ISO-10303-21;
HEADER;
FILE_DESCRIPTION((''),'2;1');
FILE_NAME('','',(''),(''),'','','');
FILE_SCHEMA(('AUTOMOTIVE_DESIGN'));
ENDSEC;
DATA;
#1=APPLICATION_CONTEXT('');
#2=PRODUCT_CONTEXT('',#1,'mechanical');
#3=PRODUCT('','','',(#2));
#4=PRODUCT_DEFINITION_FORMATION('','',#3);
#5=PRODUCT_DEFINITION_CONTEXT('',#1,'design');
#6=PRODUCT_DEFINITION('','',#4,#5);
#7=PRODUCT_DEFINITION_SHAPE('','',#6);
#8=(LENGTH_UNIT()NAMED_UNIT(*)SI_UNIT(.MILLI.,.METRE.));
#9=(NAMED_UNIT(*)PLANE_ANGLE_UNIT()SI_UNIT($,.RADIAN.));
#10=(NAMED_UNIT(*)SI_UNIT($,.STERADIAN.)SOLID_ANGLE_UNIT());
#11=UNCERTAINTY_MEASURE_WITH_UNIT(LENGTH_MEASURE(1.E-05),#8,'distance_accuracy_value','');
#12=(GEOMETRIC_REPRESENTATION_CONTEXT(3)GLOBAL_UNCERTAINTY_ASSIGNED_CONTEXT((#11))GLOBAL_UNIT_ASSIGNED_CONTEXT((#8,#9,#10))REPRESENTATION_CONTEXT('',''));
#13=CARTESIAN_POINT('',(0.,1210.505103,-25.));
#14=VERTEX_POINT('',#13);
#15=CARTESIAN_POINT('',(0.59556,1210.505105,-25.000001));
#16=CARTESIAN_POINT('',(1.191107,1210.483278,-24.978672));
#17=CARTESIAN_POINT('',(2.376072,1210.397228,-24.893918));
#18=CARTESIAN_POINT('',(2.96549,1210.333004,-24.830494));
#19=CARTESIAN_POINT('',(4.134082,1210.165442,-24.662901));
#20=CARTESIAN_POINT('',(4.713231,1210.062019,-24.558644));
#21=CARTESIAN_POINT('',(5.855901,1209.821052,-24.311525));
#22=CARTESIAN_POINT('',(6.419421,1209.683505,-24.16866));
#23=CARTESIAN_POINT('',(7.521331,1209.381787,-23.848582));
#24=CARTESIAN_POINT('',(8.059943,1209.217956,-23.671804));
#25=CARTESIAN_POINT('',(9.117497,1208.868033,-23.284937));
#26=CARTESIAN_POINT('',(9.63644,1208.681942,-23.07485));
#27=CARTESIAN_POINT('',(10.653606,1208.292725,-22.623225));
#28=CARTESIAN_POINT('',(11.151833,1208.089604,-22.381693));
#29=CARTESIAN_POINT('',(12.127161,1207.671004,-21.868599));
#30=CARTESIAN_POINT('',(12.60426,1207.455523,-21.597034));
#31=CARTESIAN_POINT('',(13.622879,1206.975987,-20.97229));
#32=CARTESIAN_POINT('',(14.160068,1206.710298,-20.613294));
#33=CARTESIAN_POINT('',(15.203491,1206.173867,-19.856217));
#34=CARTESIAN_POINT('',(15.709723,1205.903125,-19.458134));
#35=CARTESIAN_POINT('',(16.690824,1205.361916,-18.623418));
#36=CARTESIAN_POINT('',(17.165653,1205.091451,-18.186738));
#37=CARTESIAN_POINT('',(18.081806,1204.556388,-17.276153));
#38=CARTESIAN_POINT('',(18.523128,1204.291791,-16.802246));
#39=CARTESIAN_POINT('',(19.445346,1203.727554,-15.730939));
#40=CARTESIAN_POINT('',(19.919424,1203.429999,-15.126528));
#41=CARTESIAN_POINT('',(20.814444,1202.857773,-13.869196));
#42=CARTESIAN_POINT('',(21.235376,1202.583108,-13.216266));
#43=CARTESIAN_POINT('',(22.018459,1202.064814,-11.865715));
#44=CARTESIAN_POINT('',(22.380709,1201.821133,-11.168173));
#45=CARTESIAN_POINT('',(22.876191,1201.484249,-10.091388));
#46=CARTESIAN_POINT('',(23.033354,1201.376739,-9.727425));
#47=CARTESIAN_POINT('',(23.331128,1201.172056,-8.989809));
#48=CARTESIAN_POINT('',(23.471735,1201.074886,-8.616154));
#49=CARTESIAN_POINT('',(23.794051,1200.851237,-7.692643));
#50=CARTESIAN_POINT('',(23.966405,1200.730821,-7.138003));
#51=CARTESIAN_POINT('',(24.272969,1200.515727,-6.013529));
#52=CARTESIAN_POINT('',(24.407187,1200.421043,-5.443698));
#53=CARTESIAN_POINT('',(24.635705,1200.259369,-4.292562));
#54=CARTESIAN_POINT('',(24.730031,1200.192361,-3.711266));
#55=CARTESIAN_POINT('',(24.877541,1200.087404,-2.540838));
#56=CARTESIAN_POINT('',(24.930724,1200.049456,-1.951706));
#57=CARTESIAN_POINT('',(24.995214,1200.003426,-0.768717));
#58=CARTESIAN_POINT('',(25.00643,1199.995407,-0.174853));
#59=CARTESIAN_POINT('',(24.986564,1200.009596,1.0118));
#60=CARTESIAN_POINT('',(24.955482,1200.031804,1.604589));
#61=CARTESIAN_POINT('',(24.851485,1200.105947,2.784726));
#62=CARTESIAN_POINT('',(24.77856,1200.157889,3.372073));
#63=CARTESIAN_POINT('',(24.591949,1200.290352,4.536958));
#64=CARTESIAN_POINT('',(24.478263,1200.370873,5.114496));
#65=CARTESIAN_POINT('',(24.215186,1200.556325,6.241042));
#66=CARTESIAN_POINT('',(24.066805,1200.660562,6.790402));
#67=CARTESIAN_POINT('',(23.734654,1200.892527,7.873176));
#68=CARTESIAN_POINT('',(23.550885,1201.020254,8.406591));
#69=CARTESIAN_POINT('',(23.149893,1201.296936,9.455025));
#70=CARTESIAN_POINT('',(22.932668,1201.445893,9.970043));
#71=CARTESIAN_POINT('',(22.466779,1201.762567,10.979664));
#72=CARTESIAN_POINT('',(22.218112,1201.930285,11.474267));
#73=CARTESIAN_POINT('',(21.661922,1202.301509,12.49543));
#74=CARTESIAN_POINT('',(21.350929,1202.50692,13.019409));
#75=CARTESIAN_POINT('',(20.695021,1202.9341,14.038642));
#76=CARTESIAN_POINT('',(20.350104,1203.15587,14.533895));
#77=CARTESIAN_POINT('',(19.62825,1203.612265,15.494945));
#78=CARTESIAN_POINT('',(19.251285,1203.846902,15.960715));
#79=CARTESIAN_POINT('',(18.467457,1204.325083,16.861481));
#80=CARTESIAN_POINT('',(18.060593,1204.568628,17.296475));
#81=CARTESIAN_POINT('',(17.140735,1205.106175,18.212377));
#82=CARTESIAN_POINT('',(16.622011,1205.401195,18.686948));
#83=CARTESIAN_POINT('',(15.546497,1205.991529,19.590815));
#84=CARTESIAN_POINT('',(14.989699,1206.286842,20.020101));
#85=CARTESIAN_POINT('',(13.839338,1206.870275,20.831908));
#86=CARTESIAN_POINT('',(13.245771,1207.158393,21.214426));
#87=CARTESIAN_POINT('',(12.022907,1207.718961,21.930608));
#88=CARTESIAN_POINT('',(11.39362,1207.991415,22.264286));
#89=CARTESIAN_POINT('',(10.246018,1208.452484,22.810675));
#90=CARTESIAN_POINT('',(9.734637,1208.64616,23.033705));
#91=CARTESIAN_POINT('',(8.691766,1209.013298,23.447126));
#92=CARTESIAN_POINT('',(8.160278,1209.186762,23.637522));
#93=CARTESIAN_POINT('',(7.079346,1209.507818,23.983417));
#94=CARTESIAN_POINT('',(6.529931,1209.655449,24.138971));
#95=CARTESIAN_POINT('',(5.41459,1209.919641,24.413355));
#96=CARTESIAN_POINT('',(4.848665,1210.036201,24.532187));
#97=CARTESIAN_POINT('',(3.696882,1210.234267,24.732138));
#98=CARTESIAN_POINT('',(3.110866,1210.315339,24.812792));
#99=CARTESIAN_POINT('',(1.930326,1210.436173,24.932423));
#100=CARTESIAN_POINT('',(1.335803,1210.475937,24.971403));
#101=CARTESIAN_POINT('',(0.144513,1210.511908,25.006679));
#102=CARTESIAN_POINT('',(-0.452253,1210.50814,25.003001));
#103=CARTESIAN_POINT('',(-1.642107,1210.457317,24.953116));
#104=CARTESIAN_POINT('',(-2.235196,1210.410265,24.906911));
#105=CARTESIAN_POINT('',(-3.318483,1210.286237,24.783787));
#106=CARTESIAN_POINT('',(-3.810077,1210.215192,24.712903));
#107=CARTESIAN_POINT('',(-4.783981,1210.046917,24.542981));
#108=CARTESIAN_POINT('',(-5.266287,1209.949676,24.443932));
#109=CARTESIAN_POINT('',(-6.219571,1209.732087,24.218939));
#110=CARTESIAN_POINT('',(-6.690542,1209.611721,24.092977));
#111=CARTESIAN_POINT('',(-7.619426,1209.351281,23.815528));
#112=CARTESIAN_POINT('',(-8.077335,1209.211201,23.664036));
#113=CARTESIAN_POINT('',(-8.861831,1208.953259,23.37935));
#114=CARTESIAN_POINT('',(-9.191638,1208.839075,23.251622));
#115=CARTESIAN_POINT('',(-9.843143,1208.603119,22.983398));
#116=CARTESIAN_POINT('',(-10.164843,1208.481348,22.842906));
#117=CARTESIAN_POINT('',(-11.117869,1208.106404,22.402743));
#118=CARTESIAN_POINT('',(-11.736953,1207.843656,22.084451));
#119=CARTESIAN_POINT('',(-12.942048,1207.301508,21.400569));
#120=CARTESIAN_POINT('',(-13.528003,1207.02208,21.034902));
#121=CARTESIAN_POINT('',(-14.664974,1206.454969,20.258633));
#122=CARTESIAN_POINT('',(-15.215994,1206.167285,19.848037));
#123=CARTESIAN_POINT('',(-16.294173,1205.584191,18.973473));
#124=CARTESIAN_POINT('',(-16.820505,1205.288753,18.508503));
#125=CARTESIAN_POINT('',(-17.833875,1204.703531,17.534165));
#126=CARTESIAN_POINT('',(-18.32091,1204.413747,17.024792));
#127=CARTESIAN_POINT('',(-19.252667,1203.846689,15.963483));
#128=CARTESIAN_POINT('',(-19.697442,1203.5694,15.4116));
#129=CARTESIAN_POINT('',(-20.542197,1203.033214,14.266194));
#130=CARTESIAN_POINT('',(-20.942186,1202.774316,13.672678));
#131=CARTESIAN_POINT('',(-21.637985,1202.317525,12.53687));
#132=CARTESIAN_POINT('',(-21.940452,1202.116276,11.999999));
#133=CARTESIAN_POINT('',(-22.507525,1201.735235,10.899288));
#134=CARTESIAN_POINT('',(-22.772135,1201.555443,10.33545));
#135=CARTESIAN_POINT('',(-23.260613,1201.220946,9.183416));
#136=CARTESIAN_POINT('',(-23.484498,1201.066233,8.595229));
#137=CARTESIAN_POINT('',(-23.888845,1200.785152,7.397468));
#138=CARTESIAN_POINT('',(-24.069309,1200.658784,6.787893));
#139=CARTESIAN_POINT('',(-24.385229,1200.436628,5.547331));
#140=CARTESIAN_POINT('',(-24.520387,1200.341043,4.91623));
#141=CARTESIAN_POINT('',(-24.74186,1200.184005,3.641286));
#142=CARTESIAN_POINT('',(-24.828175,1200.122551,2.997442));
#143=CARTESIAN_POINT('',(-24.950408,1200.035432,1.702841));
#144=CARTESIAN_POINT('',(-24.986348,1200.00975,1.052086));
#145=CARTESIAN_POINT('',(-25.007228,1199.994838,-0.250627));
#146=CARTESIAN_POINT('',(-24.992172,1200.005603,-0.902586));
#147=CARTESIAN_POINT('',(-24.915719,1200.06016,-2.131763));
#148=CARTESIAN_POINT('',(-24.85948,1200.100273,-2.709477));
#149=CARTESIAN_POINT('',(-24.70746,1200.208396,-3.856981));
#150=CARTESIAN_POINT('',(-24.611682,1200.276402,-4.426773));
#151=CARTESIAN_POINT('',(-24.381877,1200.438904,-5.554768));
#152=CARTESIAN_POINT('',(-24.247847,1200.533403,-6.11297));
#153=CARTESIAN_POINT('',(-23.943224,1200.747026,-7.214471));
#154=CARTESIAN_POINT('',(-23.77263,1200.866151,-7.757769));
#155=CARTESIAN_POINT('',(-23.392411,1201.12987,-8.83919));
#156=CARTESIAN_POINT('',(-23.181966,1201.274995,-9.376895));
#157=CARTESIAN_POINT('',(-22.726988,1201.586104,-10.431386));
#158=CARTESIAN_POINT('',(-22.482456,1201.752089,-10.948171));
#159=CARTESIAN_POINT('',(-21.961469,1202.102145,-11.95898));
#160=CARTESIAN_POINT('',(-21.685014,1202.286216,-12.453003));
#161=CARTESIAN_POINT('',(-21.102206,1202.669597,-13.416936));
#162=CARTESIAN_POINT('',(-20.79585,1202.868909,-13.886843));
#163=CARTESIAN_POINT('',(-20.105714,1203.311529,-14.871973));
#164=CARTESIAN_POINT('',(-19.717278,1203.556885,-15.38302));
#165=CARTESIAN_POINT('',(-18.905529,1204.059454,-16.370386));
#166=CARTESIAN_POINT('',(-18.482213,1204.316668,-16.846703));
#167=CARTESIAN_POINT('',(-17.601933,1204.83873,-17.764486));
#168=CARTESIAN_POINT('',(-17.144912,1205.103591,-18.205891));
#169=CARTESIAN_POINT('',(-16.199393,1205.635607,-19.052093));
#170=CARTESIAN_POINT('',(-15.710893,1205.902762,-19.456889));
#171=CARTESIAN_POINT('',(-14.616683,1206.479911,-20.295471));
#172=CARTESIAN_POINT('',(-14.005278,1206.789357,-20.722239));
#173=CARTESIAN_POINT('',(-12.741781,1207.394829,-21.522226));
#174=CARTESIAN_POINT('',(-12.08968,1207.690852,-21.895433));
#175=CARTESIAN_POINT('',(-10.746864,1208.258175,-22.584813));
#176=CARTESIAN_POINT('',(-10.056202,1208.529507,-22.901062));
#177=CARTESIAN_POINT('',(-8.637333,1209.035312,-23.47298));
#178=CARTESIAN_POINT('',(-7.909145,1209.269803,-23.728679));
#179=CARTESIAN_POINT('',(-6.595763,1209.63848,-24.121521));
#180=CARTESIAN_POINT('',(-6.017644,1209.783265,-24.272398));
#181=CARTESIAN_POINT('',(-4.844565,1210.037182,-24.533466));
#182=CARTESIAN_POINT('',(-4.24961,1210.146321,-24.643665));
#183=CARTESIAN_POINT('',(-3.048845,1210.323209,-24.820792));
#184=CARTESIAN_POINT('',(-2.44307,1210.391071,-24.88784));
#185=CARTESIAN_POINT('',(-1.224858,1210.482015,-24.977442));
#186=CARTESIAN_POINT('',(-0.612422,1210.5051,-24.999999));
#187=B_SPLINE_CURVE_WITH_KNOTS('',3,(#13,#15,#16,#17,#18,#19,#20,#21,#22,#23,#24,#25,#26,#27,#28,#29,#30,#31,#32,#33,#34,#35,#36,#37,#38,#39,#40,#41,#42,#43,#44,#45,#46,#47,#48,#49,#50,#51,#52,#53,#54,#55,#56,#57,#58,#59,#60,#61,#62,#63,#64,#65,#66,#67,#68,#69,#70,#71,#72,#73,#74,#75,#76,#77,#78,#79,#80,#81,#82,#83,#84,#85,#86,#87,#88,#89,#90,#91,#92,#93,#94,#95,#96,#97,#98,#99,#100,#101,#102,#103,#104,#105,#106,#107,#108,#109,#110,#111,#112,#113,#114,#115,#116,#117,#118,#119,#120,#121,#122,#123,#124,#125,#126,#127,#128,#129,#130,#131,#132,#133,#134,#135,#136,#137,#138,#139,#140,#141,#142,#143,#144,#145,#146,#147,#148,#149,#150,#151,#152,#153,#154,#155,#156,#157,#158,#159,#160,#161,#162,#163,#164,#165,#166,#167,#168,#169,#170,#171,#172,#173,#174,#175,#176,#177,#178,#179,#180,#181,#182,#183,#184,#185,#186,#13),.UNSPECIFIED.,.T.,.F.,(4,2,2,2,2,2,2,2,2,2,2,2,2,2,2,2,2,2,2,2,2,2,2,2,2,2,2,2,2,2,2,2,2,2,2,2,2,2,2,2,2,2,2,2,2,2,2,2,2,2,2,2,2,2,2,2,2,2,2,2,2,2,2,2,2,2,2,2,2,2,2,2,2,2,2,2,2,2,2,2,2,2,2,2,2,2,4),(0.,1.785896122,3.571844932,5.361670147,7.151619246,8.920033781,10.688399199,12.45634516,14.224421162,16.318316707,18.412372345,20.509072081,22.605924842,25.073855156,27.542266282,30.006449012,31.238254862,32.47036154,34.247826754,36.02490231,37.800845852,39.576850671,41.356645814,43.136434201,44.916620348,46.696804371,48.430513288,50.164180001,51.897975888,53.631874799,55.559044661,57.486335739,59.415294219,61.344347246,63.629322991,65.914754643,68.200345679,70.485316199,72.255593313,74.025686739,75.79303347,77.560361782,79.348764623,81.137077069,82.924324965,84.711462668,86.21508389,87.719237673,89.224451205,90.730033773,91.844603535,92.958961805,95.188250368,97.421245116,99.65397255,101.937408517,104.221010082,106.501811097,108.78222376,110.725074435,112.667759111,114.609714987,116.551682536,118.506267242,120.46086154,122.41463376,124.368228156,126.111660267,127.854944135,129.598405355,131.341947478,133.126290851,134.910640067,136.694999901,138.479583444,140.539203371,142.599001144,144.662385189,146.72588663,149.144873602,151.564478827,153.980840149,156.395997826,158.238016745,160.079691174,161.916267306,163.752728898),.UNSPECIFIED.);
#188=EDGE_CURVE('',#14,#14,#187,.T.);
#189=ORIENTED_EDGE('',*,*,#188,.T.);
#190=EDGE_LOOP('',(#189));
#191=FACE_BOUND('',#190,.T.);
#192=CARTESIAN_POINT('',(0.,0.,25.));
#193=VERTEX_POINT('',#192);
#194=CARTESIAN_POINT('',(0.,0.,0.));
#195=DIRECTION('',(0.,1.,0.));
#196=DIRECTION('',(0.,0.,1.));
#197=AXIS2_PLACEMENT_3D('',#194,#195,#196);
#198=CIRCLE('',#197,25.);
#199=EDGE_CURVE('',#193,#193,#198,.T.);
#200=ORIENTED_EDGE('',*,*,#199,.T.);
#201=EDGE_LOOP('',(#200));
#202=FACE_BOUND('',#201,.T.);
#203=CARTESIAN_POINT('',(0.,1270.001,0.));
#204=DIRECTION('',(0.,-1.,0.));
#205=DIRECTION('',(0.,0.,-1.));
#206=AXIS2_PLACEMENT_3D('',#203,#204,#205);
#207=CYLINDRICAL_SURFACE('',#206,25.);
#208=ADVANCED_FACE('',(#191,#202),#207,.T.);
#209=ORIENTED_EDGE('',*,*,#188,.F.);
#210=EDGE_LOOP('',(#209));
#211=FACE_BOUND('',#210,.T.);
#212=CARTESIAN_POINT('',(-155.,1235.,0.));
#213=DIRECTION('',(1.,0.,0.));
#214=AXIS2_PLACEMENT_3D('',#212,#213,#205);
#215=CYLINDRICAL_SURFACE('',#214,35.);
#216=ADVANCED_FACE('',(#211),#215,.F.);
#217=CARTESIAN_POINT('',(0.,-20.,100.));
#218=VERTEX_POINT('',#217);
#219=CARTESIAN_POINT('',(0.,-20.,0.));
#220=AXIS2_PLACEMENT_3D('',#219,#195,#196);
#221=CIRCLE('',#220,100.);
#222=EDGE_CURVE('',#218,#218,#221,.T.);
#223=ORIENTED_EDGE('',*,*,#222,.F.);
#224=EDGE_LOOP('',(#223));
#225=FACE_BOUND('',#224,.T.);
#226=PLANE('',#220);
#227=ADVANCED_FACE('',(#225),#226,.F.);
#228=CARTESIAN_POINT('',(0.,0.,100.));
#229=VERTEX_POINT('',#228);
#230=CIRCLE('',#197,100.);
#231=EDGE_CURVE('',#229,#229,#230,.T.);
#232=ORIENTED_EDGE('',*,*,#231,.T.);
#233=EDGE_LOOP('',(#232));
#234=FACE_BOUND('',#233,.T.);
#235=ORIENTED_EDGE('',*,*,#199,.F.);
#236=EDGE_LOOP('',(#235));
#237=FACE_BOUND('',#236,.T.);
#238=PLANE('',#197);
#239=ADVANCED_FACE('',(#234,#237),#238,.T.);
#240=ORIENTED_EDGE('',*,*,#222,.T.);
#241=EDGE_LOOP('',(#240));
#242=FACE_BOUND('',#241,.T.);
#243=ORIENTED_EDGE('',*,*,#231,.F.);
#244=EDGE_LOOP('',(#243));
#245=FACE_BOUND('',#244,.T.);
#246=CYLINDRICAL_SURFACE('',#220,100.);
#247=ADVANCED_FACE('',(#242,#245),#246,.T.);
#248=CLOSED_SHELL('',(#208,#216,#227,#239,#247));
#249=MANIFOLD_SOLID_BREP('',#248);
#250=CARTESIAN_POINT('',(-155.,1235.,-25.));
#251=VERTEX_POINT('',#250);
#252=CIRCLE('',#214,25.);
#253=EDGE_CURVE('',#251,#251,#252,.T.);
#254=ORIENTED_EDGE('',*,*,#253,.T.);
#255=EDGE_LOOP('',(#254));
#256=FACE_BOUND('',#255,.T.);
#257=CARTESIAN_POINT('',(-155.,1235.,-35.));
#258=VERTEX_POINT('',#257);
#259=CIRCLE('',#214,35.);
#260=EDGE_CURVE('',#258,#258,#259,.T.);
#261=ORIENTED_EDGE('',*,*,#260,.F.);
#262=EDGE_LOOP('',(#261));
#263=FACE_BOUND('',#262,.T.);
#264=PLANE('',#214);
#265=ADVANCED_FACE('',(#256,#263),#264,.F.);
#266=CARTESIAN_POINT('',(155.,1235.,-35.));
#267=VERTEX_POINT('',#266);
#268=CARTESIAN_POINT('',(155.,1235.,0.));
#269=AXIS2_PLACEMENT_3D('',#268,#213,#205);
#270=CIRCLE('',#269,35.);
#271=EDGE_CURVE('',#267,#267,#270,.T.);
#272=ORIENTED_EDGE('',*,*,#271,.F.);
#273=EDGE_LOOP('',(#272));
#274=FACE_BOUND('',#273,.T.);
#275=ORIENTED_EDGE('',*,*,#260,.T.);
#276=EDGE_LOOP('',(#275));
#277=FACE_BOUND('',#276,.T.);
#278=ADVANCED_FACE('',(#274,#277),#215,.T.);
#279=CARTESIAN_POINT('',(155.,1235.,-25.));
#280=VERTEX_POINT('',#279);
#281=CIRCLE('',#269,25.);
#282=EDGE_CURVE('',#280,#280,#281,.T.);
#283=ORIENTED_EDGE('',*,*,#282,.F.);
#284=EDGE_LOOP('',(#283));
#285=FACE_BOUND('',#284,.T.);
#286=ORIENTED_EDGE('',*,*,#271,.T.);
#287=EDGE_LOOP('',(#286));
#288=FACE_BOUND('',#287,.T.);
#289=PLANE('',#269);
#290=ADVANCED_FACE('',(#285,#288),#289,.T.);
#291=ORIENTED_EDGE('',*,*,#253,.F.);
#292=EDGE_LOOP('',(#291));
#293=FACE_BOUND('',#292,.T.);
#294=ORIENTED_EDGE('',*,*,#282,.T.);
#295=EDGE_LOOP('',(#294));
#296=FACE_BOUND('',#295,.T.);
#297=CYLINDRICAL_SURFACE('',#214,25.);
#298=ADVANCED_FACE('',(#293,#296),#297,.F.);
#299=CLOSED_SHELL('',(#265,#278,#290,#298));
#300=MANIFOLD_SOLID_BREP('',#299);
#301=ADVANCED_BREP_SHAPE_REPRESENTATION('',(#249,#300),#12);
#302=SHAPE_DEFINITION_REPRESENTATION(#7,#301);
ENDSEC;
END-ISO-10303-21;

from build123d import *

# Parameters (mm, degrees)
KLIP_SKETCH1_R                = 100
KLIP_BOSS_EXTRUDE1_DEPTH      = 20
KLIP_BOSS_EXTRUDE3_DEPTH      = 155
KLIP_BOSS_EXTRUDE3_DEPTH_BACK = 155
KLIP_SKETCH3_R                = 35
KLIP_SKETCH3_R_2              = 25
KLIP_BOSS_EXTRUDE2_REACH      = 1285.326
KLIP_BOSS_EXTRUDE2_END_RADIUS = 35
KLIP_SKETCH2_R                = 25


with BuildPart() as part:
    # klip_Sketch1 → klip_Boss-Extrude1 (new body)
    with BuildSketch(Plane(origin=(0, 0, 0), x_dir=(1, 0, 0), z_dir=(0, 1, 0))):
        Circle(KLIP_SKETCH1_R)
    extrude(amount=-KLIP_BOSS_EXTRUDE1_DEPTH)

    # klip_Boss-Extrude2: up to this cylinder (the profile starts outside it)
    klip_boss_extrude2_end = Plane(origin=(0, 1235, 0), z_dir=(1, 0, 0)) * Cylinder(KLIP_BOSS_EXTRUDE2_END_RADIUS, 2641.652, mode=Mode.PRIVATE)
    # klip_Sketch2 → klip_Boss-Extrude2 (add, up to the surface)
    with BuildSketch(Plane(origin=(0, 0, 0), x_dir=(1, 0, 0), z_dir=(0, 1, 0)), mode=Mode.PRIVATE) as klip_boss_extrude2_sk1:
        Circle(KLIP_SKETCH2_R)
    klip_boss_extrude2_tool1 = extrude(klip_boss_extrude2_sk1.sketch, amount=KLIP_BOSS_EXTRUDE2_REACH, mode=Mode.PRIVATE) - klip_boss_extrude2_end
    add(klip_boss_extrude2_tool1.solids().sort_by_distance((0, 0, 0))[0])


with BuildPart() as body_2:
    # klip_Sketch3 → klip_Boss-Extrude3 (new, two sides: drawn at the far end of the back side and taken through both)
    with BuildSketch(Plane(origin=(0, 0, 0), x_dir=(0, 0, -1), z_dir=(1, 0, 0)).offset(-KLIP_BOSS_EXTRUDE3_DEPTH_BACK)):
        with Locations((0, 1235)):
            Circle(KLIP_SKETCH3_R)
        with Locations((0, 1235)):
            Circle(KLIP_SKETCH3_R_2, mode=Mode.SUBTRACT)
    extrude(amount=KLIP_BOSS_EXTRUDE3_DEPTH + KLIP_BOSS_EXTRUDE3_DEPTH_BACK)


solid = Compound([part.part, body_2.part])
